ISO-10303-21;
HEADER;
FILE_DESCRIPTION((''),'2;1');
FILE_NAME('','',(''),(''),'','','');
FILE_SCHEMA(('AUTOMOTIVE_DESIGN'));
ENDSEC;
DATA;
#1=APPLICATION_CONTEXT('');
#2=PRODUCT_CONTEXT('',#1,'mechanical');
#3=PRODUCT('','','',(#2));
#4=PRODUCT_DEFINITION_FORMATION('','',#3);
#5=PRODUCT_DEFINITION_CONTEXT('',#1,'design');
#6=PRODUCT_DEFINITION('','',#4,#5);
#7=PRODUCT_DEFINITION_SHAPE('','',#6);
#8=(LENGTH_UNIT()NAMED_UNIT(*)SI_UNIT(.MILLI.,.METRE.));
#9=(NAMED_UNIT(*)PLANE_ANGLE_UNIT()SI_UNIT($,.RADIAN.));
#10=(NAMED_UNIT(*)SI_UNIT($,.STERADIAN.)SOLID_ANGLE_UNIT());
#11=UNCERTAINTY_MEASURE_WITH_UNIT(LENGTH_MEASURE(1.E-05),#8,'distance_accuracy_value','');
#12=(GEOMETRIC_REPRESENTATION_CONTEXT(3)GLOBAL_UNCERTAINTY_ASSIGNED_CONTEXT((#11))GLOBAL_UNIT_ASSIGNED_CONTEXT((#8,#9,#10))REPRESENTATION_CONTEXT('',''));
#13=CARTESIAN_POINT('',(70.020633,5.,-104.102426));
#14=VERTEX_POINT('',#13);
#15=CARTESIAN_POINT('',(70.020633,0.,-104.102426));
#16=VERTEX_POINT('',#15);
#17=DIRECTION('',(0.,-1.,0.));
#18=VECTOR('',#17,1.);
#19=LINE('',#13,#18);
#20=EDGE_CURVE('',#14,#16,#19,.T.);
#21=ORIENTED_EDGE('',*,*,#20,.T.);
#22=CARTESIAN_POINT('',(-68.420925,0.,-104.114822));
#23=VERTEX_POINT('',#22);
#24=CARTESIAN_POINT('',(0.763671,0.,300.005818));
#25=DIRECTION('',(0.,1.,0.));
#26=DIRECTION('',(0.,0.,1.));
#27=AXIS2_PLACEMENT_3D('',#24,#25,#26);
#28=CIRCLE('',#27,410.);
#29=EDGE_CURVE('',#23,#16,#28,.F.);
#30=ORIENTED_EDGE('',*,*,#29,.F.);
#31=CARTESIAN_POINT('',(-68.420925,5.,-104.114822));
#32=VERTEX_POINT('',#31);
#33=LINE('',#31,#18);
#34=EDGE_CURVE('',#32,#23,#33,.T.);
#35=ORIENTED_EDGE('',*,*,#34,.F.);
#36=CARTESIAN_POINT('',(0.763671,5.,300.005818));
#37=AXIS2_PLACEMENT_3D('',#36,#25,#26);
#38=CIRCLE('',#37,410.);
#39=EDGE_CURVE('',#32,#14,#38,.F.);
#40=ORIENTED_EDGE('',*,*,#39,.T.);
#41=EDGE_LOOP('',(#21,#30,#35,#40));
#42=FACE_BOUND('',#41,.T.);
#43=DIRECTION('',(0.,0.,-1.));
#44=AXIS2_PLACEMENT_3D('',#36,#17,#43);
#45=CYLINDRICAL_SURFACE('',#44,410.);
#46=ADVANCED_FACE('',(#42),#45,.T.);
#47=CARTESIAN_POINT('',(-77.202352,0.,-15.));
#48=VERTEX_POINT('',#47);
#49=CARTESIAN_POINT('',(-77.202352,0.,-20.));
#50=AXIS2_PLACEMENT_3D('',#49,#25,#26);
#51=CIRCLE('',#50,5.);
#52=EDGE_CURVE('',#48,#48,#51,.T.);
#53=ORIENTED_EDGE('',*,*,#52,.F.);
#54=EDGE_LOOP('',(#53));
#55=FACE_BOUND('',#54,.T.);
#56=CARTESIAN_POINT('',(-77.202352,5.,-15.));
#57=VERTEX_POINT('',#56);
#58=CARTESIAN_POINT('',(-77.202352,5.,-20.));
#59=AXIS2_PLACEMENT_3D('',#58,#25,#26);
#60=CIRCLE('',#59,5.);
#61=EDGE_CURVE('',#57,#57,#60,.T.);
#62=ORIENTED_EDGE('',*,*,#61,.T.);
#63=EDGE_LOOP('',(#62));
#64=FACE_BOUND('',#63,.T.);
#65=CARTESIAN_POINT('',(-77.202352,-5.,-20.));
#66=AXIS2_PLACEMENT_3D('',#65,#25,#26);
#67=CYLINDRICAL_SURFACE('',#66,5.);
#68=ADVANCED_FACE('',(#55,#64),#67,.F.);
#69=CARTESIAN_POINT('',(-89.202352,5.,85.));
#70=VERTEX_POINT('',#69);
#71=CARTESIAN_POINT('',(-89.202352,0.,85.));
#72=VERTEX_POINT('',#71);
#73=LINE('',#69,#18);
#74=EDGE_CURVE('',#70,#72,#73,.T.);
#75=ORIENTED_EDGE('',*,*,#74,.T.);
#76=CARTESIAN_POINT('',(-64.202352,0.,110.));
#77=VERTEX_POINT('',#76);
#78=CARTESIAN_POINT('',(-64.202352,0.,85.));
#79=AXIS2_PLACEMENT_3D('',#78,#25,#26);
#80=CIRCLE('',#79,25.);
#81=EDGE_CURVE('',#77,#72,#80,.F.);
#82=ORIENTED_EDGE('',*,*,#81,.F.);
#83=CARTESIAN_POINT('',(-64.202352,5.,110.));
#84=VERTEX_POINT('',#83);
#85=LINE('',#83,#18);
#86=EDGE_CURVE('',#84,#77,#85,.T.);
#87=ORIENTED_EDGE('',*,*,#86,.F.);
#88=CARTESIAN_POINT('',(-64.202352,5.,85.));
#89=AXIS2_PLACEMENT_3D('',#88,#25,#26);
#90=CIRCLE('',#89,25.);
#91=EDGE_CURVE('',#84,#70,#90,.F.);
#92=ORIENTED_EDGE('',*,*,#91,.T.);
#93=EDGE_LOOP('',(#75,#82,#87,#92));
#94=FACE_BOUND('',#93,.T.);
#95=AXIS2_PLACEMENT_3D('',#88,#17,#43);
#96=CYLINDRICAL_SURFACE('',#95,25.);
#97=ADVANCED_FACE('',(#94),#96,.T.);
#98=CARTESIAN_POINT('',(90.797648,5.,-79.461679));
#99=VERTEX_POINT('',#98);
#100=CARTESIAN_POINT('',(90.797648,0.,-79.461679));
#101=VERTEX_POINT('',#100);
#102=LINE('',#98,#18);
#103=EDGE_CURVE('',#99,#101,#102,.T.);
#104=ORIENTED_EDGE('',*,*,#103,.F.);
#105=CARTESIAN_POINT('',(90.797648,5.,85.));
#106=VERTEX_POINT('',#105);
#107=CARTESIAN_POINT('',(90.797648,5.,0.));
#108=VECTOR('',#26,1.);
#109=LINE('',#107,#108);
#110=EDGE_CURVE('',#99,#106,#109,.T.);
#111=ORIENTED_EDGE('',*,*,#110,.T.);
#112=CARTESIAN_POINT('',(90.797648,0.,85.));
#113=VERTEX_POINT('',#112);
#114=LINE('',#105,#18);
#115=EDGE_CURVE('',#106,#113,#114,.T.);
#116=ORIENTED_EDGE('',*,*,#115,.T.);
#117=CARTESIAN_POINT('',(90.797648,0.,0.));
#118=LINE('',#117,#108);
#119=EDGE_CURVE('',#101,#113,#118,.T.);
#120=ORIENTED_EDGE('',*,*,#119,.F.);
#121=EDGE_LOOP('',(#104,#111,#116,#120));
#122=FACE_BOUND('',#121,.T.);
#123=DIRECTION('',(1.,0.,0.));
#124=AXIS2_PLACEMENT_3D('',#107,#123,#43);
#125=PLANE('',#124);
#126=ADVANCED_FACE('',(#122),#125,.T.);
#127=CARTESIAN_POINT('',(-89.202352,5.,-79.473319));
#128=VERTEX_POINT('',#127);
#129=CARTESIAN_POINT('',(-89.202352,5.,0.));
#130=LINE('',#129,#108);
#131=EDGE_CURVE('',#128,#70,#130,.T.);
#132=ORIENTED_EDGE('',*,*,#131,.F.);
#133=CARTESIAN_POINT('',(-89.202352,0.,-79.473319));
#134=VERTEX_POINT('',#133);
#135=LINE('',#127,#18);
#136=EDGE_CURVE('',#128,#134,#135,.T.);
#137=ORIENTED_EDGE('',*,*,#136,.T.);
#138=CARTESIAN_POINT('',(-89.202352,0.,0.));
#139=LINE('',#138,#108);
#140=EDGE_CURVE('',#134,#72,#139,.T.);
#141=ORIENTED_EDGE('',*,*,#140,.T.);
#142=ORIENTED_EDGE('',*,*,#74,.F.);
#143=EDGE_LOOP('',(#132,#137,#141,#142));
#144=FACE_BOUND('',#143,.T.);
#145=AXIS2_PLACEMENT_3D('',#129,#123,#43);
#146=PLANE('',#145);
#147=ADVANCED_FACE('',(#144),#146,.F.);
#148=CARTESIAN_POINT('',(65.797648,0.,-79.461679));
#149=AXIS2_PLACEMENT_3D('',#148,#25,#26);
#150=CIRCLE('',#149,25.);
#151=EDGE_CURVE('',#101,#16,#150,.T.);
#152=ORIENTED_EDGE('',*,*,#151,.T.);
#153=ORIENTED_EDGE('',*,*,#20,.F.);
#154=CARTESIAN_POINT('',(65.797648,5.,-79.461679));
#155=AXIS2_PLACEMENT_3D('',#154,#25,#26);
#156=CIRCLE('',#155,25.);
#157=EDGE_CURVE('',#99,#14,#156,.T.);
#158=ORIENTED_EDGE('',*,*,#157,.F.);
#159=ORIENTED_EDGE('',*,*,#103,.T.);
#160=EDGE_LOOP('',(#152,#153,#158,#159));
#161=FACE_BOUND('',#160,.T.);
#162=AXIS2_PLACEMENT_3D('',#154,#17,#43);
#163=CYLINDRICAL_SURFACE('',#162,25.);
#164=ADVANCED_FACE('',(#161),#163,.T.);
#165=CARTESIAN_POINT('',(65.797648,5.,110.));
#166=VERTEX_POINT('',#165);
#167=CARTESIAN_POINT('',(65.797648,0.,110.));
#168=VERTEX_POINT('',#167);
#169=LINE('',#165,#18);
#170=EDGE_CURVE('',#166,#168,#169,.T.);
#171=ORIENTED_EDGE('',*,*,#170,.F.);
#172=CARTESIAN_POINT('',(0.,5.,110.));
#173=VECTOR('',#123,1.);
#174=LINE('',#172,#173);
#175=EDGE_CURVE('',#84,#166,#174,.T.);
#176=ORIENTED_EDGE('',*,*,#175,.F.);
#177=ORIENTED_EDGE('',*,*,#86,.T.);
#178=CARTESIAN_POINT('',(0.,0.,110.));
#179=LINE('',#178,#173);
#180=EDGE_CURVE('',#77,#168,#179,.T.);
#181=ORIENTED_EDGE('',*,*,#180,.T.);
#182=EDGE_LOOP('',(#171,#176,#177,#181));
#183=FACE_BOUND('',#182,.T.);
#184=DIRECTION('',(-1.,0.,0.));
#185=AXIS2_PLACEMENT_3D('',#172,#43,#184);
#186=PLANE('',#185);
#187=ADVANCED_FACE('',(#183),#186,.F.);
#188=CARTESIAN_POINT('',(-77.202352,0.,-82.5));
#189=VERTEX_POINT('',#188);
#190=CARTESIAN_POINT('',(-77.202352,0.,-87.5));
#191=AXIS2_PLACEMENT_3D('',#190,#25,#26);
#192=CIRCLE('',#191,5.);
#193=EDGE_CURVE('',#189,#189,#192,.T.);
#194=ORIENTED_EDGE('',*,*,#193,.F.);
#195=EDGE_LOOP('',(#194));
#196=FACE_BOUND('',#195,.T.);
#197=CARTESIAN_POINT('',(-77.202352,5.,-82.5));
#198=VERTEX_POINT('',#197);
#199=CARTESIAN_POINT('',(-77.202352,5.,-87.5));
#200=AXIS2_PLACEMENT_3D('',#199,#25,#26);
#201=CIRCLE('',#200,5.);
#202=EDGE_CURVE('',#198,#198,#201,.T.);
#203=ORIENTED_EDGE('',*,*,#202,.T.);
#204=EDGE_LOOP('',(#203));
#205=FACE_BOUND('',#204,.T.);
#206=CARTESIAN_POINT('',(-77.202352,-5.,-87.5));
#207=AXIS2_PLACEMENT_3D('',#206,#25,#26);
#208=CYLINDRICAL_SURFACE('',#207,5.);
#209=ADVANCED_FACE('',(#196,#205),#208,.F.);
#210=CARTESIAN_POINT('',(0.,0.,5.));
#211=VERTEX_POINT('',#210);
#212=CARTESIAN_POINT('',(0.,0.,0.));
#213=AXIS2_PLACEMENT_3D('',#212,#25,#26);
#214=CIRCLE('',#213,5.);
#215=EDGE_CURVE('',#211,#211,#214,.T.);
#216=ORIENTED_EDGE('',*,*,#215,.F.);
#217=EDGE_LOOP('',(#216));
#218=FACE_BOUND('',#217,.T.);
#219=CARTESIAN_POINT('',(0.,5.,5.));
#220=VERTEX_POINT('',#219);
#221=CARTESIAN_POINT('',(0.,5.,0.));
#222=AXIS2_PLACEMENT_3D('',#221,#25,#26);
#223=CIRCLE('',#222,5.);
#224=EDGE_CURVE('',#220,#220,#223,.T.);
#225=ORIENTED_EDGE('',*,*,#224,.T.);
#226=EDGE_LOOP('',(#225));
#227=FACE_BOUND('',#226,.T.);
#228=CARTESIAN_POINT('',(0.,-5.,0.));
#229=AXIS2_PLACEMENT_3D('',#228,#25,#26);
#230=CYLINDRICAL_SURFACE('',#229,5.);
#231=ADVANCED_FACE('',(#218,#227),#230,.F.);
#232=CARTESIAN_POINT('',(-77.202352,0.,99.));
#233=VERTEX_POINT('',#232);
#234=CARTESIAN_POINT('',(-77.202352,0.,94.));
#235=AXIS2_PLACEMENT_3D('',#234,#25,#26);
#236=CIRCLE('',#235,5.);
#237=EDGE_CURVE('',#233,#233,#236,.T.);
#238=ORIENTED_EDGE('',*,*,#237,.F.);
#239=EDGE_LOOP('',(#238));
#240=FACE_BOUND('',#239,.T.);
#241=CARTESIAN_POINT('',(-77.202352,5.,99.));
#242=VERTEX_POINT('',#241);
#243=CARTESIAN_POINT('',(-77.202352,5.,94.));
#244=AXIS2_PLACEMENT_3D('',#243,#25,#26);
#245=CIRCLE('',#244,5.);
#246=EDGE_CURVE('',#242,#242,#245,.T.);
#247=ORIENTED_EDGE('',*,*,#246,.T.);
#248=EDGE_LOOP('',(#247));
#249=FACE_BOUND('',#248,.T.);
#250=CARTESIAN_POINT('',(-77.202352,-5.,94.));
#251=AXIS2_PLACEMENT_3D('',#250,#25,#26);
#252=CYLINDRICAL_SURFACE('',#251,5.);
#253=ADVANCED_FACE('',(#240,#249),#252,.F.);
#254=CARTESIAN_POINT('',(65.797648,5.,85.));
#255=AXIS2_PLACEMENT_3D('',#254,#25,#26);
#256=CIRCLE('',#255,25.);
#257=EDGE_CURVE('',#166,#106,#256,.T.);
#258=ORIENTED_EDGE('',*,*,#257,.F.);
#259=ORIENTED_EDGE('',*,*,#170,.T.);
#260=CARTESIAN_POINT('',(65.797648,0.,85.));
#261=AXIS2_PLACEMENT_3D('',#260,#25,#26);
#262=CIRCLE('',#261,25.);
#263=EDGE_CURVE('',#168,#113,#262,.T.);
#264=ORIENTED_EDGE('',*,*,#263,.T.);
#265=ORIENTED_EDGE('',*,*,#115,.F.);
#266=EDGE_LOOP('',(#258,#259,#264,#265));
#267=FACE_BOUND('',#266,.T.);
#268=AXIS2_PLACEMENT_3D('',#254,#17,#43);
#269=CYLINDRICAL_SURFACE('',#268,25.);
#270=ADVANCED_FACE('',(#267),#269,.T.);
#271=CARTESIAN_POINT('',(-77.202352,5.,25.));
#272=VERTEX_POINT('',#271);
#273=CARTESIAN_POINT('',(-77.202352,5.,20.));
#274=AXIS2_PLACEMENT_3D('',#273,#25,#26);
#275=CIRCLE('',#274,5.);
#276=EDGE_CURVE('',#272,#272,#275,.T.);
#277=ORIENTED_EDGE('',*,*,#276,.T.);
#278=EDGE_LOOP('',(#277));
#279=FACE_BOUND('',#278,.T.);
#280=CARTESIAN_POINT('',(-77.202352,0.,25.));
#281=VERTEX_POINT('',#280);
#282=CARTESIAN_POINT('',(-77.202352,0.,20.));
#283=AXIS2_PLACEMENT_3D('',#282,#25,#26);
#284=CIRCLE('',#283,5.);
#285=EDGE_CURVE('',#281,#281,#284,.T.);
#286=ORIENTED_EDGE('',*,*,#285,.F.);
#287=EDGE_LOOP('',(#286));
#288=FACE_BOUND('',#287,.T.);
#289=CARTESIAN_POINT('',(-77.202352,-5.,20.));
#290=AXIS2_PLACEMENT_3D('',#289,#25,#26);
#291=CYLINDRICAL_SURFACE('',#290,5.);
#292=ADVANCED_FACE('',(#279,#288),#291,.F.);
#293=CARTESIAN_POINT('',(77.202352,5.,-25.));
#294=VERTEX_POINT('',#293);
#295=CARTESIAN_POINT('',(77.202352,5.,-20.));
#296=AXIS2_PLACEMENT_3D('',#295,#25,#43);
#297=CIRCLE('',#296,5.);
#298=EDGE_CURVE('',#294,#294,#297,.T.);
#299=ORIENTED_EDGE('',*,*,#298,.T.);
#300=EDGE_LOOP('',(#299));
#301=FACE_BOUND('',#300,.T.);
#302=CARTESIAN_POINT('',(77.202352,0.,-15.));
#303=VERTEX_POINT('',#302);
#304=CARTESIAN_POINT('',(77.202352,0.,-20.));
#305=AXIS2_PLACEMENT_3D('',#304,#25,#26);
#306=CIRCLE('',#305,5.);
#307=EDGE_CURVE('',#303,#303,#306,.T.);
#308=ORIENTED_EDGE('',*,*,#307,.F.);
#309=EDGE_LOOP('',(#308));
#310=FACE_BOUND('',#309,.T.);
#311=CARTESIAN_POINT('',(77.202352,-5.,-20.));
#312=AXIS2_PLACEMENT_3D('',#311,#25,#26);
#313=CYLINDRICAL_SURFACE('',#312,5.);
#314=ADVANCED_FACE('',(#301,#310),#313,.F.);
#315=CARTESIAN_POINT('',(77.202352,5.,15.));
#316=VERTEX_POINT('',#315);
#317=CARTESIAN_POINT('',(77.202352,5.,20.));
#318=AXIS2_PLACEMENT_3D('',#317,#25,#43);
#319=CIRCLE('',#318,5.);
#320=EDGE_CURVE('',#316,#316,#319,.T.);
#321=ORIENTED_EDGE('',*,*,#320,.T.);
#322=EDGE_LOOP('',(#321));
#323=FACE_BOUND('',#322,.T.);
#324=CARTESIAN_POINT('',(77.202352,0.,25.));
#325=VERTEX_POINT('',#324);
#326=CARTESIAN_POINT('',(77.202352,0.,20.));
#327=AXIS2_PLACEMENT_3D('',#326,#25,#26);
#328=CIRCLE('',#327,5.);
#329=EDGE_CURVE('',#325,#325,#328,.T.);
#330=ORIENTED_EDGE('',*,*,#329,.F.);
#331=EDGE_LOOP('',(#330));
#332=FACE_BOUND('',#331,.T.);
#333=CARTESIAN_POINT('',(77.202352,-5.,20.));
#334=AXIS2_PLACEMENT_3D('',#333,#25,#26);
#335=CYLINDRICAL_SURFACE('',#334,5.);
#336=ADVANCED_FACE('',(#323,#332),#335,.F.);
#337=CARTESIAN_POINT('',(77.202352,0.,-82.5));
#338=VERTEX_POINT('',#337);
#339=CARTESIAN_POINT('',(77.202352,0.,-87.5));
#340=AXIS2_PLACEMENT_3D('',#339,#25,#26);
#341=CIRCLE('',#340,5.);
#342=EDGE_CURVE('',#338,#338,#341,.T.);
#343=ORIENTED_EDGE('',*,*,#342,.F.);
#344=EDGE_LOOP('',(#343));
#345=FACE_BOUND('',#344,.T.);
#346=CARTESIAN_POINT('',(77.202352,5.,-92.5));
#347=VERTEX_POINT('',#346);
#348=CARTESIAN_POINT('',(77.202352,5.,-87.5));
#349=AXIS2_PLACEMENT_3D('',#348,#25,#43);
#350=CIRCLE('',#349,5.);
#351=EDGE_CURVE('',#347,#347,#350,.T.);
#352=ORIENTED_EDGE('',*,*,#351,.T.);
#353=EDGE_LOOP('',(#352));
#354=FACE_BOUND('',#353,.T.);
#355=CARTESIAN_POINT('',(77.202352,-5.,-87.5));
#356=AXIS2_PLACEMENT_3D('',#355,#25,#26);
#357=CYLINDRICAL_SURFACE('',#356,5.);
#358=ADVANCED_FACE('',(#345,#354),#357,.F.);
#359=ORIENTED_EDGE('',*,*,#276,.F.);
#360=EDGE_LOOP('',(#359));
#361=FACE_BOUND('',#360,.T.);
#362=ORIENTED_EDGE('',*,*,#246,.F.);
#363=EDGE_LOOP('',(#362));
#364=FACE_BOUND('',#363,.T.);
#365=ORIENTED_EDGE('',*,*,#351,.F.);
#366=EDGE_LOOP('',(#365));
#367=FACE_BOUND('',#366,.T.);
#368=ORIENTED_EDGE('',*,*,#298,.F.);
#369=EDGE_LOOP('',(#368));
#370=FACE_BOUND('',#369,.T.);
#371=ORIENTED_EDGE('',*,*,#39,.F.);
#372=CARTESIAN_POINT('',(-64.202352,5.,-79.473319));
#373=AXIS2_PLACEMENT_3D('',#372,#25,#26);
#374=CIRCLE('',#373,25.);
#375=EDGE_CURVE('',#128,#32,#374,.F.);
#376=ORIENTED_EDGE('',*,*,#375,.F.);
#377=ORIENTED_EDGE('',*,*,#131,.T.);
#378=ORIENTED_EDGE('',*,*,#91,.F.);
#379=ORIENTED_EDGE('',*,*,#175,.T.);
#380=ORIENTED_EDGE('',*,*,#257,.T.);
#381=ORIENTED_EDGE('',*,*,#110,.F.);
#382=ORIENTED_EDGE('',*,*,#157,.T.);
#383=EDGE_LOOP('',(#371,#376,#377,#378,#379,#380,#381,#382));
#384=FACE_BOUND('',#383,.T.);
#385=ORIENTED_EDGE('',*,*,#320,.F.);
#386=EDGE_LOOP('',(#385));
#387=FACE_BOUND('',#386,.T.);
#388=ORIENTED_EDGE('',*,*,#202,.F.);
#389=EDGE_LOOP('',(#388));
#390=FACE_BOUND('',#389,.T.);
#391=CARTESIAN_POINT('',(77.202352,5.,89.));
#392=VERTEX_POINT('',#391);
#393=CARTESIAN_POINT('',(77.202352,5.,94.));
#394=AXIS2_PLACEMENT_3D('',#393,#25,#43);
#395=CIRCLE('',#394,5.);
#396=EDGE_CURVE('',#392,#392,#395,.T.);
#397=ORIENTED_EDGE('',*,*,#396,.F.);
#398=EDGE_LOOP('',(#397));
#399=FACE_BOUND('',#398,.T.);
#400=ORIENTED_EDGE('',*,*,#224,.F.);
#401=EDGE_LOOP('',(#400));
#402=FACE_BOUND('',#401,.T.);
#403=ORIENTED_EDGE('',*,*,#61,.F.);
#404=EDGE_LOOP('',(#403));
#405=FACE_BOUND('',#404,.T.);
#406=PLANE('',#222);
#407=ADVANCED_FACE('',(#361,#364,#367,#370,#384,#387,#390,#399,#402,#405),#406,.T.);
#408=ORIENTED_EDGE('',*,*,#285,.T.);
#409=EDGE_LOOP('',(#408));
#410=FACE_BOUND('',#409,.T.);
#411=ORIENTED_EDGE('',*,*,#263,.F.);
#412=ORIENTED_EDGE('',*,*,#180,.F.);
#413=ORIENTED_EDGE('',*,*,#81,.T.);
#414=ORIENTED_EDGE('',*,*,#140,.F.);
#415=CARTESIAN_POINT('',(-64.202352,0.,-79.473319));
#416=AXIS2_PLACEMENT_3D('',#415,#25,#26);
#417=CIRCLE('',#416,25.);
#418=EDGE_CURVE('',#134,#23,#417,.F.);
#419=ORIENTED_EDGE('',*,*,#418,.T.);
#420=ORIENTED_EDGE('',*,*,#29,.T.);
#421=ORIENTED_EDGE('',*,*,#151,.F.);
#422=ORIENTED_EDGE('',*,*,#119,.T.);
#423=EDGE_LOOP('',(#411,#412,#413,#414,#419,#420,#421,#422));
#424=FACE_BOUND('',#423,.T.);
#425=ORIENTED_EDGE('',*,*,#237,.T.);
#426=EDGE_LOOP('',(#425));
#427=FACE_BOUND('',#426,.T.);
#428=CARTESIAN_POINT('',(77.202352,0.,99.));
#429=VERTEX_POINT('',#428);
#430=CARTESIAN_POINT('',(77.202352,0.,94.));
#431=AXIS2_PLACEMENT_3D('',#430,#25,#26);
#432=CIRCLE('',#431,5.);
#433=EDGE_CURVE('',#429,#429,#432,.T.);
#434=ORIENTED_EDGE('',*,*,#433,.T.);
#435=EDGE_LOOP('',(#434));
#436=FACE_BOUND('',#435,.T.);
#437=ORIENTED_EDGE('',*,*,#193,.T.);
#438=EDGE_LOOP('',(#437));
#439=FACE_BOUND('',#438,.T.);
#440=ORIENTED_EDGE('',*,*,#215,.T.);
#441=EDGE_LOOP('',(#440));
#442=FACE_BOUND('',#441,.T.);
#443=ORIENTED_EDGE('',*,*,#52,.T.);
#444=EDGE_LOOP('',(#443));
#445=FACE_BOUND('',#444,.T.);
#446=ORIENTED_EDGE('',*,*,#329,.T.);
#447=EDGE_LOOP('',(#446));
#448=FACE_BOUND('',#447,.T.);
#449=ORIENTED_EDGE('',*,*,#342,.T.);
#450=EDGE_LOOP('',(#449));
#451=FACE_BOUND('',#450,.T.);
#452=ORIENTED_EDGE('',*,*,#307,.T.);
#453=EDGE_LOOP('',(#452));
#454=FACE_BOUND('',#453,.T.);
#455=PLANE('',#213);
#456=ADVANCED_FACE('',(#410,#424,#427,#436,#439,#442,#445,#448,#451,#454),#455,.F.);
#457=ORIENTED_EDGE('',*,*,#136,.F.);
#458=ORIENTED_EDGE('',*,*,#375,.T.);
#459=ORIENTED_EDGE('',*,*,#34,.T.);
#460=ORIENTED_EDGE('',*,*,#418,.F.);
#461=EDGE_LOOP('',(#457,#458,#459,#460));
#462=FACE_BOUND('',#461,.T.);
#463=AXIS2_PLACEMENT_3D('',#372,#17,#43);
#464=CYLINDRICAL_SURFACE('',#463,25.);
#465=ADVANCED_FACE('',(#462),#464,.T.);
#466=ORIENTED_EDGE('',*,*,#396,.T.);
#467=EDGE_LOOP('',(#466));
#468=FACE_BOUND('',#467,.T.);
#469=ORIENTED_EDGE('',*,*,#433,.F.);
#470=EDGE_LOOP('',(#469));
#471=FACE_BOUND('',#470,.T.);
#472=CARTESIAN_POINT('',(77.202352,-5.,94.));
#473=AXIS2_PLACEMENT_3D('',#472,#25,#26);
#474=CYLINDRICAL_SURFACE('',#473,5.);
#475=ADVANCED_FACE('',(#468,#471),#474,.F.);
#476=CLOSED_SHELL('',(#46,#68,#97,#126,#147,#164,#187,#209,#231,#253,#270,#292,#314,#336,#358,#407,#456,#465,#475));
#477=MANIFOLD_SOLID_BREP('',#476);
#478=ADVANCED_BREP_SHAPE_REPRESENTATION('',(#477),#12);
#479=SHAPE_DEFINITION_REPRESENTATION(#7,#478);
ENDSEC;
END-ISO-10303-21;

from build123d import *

# Parameters (mm, degrees)
BOSS_EXTRUDE1_DEPTH = 5
SKETCH5_R           = 5
CUT_EXTRUDE2_DEPTH  = 10


with BuildPart() as part:
    # Sketch1 → Boss-Extrude1 (new body)
    with BuildSketch(Plane(origin=(0, 0, 0), x_dir=(1, 0, 0), z_dir=(0, 1, 0))):
        with BuildLine():
            ThreePointArc((-89.202352286, -85), (-81.880021816, -102.67766953), (-64.202352286, -110))
            Line((-64.202352286, -110), (65.797647714, -110))
            ThreePointArc((65.797647714, -110), (83.475317244, -102.67766953), (90.797647714, -85))
            Line((90.797647714, -85), (90.797647714, -35))
            Line((90.797647714, -35), (90.797647714, 31.47331922))
            Line((90.797647714, 31.47331922), (90.797647714, 79.461679372))
            ThreePointArc((90.797647714, 79.461679372), (84.910138891, 95.577283021), (70.020633234, 104.102425978))
            ThreePointArc((70.020633234, 104.102425978), (0.80038099, 109.994179998), (-68.420925207, 104.11482166))
            ThreePointArc((-68.420925207, 104.11482166), (-83.313400439, 95.590634086), (-89.202352286, 79.47331922))
            Line((-89.202352286, 79.47331922), (-89.202352286, 31.47331922))
            Line((-89.202352286, 31.47331922), (-89.202352286, -35))
            Line((-89.202352286, -35), (-89.202352286, -85))
        make_face()
    extrude(amount=BOSS_EXTRUDE1_DEPTH)

    # Sketch5 → Cut-Extrude2 (cut)
    with BuildSketch(Plane(origin=(0, 5, 0), x_dir=(1, 0, 0), z_dir=(0, 1, 0))):
        with Locations((-77.202352286, 20)):
            Circle(SKETCH5_R)
        with Locations((-77.202352286, -20)):
            Circle(SKETCH5_R)
        with Locations((-77.202352286, 87.5)):
            Circle(SKETCH5_R)
        with Locations((-77.202352286, -94)):
            Circle(SKETCH5_R)
        Circle(SKETCH5_R)
        with Locations((77.202352286, -94)):
            Circle(SKETCH5_R)
        with Locations((77.202352286, -20)):
            Circle(SKETCH5_R)
        with Locations((77.202352286, 20)):
            Circle(SKETCH5_R)
        with Locations((77.202352286, 87.5)):
            Circle(SKETCH5_R)
    extrude(amount=-CUT_EXTRUDE2_DEPTH, mode=Mode.SUBTRACT)


solid = part.part
